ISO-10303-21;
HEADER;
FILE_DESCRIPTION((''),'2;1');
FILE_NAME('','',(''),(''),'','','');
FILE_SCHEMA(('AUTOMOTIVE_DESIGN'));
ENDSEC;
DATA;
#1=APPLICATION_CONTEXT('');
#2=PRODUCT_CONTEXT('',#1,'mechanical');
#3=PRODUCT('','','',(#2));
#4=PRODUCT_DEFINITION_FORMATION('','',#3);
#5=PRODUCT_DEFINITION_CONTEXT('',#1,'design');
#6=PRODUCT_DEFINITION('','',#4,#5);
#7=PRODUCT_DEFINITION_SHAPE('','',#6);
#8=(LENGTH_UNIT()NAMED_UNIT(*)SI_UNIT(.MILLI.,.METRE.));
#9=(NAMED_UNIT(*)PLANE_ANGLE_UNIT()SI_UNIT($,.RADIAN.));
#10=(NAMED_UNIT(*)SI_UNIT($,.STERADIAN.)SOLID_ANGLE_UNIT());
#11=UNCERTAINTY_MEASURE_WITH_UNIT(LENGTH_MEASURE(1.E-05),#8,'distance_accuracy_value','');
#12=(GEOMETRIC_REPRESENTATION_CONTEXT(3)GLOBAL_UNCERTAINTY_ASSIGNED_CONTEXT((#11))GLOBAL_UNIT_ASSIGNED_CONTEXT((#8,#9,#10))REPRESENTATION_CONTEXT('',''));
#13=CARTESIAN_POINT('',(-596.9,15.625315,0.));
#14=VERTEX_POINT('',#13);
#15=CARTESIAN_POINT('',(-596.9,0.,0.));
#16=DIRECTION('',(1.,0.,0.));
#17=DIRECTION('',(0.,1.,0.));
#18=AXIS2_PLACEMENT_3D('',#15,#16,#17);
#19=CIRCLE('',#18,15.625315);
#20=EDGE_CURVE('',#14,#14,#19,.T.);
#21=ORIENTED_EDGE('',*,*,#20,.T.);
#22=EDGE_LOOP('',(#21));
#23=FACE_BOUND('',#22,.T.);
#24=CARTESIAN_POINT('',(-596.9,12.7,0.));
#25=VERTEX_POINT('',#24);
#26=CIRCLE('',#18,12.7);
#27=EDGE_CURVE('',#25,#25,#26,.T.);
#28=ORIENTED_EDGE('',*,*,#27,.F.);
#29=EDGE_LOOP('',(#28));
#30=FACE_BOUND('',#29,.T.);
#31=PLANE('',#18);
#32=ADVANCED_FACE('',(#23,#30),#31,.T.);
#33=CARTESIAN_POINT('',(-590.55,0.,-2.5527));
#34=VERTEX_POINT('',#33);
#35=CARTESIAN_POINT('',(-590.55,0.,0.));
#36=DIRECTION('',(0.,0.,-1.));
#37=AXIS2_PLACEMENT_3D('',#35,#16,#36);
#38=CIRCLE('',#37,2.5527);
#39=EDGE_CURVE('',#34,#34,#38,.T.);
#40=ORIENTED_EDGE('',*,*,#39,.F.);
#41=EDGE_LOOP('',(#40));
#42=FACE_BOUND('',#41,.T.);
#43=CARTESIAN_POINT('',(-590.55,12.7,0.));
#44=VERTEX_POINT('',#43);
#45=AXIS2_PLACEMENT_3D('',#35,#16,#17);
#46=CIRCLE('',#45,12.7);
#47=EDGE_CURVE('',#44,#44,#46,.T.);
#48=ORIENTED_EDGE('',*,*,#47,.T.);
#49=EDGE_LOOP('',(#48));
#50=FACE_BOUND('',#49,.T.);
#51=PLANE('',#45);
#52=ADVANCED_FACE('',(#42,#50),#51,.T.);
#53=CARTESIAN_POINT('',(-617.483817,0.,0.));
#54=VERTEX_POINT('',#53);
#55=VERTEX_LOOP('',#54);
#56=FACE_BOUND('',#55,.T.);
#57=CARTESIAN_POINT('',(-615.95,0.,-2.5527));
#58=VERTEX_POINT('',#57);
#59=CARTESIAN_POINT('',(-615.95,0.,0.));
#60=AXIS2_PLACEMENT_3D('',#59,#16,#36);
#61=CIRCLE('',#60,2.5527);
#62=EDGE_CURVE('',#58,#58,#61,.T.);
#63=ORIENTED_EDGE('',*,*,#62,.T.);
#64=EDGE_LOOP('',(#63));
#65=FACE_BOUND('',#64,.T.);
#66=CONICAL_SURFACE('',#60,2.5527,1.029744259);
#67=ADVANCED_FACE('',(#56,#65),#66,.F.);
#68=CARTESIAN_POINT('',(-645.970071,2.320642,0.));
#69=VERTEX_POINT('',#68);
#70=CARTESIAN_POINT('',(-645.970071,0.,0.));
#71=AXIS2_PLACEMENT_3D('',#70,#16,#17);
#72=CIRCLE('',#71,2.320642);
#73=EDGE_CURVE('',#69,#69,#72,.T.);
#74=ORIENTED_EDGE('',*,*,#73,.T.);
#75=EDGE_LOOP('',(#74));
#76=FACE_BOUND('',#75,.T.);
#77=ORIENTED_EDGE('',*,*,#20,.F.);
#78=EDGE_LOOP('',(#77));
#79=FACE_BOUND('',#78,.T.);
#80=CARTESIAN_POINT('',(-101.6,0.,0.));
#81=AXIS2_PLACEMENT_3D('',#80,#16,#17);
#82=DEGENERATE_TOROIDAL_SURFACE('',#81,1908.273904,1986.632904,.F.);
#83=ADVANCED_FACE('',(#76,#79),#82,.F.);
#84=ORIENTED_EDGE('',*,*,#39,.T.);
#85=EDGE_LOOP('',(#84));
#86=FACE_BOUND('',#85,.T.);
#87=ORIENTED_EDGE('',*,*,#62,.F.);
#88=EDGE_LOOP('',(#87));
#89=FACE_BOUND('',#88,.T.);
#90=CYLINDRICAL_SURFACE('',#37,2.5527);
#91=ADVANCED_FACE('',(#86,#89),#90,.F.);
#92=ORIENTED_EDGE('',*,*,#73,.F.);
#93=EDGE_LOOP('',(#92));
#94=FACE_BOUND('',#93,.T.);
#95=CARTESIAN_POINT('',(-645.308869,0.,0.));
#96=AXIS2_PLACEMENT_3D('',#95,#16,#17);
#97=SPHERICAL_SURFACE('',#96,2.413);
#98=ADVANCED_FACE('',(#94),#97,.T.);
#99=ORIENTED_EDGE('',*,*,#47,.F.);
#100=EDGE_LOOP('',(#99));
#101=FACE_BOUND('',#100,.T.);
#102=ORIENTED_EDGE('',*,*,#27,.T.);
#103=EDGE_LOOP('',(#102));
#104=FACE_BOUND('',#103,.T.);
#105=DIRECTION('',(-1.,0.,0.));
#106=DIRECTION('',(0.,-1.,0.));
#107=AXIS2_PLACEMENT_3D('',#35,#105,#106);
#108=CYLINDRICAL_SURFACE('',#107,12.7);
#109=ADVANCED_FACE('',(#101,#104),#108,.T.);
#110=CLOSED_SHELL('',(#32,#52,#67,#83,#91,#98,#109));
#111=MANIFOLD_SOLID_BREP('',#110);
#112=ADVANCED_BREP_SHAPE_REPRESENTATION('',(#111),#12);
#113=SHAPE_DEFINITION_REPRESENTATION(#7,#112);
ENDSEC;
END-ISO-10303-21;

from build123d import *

# Parameters (mm, degrees)
SKETCH2_R                       = 12.7
BOSS_EXTRUDE1_DEPTH             = 6.35
TAP_DRILL_FOR_1_4_20_TAP1_D     = 5.1054
TAP_DRILL_FOR_1_4_20_TAP1_DEPTH = 25.4
TAP_DRILL_FOR_1_4_20_TAP1_TIP   = 1.533816902


with BuildPart() as part:
    # Sketch1 → Revolve2 (revolve)
    with BuildSketch(Plane.XY):
        with BuildLine():
            Line((-596.9, 0), (-647.721869411, 0))
            ThreePointArc((-647.721869411, 0), (-647.234752146, 1.453803526), (-645.970071075, 2.320642445))
            ThreePointArc((-645.970071075, 2.320642445), (-621.477598816, 9.129959938), (-596.9, 15.625315086))
            Line((-596.9, 15.625315086), (-596.9, 0))
        make_face()
    revolve(axis=Axis((0, 0, 0), (-1, 0, 0)))

    # Sketch2 → Boss-Extrude1 (add)
    with BuildSketch(Plane(origin=(-596.9, 0, 0), x_dir=(0, 0, -1), z_dir=(1, 0, 0))):
        Circle(SKETCH2_R)
    extrude(amount=BOSS_EXTRUDE1_DEPTH)

    # Tap Drill for 1/4-20 Tap1
    with Locations(Plane(origin=(-590.55, 0, 0), x_dir=(0, 0, -1), z_dir=(1, 0, 0))):
        with Locations((0, 0)):
            Hole(TAP_DRILL_FOR_1_4_20_TAP1_D / 2, depth=TAP_DRILL_FOR_1_4_20_TAP1_DEPTH)
            with Locations((0, 0, -(TAP_DRILL_FOR_1_4_20_TAP1_DEPTH + TAP_DRILL_FOR_1_4_20_TAP1_TIP / 2))):  # 118° drill point
                Cone(0, TAP_DRILL_FOR_1_4_20_TAP1_D / 2, TAP_DRILL_FOR_1_4_20_TAP1_TIP, mode=Mode.SUBTRACT)


solid = part.part
